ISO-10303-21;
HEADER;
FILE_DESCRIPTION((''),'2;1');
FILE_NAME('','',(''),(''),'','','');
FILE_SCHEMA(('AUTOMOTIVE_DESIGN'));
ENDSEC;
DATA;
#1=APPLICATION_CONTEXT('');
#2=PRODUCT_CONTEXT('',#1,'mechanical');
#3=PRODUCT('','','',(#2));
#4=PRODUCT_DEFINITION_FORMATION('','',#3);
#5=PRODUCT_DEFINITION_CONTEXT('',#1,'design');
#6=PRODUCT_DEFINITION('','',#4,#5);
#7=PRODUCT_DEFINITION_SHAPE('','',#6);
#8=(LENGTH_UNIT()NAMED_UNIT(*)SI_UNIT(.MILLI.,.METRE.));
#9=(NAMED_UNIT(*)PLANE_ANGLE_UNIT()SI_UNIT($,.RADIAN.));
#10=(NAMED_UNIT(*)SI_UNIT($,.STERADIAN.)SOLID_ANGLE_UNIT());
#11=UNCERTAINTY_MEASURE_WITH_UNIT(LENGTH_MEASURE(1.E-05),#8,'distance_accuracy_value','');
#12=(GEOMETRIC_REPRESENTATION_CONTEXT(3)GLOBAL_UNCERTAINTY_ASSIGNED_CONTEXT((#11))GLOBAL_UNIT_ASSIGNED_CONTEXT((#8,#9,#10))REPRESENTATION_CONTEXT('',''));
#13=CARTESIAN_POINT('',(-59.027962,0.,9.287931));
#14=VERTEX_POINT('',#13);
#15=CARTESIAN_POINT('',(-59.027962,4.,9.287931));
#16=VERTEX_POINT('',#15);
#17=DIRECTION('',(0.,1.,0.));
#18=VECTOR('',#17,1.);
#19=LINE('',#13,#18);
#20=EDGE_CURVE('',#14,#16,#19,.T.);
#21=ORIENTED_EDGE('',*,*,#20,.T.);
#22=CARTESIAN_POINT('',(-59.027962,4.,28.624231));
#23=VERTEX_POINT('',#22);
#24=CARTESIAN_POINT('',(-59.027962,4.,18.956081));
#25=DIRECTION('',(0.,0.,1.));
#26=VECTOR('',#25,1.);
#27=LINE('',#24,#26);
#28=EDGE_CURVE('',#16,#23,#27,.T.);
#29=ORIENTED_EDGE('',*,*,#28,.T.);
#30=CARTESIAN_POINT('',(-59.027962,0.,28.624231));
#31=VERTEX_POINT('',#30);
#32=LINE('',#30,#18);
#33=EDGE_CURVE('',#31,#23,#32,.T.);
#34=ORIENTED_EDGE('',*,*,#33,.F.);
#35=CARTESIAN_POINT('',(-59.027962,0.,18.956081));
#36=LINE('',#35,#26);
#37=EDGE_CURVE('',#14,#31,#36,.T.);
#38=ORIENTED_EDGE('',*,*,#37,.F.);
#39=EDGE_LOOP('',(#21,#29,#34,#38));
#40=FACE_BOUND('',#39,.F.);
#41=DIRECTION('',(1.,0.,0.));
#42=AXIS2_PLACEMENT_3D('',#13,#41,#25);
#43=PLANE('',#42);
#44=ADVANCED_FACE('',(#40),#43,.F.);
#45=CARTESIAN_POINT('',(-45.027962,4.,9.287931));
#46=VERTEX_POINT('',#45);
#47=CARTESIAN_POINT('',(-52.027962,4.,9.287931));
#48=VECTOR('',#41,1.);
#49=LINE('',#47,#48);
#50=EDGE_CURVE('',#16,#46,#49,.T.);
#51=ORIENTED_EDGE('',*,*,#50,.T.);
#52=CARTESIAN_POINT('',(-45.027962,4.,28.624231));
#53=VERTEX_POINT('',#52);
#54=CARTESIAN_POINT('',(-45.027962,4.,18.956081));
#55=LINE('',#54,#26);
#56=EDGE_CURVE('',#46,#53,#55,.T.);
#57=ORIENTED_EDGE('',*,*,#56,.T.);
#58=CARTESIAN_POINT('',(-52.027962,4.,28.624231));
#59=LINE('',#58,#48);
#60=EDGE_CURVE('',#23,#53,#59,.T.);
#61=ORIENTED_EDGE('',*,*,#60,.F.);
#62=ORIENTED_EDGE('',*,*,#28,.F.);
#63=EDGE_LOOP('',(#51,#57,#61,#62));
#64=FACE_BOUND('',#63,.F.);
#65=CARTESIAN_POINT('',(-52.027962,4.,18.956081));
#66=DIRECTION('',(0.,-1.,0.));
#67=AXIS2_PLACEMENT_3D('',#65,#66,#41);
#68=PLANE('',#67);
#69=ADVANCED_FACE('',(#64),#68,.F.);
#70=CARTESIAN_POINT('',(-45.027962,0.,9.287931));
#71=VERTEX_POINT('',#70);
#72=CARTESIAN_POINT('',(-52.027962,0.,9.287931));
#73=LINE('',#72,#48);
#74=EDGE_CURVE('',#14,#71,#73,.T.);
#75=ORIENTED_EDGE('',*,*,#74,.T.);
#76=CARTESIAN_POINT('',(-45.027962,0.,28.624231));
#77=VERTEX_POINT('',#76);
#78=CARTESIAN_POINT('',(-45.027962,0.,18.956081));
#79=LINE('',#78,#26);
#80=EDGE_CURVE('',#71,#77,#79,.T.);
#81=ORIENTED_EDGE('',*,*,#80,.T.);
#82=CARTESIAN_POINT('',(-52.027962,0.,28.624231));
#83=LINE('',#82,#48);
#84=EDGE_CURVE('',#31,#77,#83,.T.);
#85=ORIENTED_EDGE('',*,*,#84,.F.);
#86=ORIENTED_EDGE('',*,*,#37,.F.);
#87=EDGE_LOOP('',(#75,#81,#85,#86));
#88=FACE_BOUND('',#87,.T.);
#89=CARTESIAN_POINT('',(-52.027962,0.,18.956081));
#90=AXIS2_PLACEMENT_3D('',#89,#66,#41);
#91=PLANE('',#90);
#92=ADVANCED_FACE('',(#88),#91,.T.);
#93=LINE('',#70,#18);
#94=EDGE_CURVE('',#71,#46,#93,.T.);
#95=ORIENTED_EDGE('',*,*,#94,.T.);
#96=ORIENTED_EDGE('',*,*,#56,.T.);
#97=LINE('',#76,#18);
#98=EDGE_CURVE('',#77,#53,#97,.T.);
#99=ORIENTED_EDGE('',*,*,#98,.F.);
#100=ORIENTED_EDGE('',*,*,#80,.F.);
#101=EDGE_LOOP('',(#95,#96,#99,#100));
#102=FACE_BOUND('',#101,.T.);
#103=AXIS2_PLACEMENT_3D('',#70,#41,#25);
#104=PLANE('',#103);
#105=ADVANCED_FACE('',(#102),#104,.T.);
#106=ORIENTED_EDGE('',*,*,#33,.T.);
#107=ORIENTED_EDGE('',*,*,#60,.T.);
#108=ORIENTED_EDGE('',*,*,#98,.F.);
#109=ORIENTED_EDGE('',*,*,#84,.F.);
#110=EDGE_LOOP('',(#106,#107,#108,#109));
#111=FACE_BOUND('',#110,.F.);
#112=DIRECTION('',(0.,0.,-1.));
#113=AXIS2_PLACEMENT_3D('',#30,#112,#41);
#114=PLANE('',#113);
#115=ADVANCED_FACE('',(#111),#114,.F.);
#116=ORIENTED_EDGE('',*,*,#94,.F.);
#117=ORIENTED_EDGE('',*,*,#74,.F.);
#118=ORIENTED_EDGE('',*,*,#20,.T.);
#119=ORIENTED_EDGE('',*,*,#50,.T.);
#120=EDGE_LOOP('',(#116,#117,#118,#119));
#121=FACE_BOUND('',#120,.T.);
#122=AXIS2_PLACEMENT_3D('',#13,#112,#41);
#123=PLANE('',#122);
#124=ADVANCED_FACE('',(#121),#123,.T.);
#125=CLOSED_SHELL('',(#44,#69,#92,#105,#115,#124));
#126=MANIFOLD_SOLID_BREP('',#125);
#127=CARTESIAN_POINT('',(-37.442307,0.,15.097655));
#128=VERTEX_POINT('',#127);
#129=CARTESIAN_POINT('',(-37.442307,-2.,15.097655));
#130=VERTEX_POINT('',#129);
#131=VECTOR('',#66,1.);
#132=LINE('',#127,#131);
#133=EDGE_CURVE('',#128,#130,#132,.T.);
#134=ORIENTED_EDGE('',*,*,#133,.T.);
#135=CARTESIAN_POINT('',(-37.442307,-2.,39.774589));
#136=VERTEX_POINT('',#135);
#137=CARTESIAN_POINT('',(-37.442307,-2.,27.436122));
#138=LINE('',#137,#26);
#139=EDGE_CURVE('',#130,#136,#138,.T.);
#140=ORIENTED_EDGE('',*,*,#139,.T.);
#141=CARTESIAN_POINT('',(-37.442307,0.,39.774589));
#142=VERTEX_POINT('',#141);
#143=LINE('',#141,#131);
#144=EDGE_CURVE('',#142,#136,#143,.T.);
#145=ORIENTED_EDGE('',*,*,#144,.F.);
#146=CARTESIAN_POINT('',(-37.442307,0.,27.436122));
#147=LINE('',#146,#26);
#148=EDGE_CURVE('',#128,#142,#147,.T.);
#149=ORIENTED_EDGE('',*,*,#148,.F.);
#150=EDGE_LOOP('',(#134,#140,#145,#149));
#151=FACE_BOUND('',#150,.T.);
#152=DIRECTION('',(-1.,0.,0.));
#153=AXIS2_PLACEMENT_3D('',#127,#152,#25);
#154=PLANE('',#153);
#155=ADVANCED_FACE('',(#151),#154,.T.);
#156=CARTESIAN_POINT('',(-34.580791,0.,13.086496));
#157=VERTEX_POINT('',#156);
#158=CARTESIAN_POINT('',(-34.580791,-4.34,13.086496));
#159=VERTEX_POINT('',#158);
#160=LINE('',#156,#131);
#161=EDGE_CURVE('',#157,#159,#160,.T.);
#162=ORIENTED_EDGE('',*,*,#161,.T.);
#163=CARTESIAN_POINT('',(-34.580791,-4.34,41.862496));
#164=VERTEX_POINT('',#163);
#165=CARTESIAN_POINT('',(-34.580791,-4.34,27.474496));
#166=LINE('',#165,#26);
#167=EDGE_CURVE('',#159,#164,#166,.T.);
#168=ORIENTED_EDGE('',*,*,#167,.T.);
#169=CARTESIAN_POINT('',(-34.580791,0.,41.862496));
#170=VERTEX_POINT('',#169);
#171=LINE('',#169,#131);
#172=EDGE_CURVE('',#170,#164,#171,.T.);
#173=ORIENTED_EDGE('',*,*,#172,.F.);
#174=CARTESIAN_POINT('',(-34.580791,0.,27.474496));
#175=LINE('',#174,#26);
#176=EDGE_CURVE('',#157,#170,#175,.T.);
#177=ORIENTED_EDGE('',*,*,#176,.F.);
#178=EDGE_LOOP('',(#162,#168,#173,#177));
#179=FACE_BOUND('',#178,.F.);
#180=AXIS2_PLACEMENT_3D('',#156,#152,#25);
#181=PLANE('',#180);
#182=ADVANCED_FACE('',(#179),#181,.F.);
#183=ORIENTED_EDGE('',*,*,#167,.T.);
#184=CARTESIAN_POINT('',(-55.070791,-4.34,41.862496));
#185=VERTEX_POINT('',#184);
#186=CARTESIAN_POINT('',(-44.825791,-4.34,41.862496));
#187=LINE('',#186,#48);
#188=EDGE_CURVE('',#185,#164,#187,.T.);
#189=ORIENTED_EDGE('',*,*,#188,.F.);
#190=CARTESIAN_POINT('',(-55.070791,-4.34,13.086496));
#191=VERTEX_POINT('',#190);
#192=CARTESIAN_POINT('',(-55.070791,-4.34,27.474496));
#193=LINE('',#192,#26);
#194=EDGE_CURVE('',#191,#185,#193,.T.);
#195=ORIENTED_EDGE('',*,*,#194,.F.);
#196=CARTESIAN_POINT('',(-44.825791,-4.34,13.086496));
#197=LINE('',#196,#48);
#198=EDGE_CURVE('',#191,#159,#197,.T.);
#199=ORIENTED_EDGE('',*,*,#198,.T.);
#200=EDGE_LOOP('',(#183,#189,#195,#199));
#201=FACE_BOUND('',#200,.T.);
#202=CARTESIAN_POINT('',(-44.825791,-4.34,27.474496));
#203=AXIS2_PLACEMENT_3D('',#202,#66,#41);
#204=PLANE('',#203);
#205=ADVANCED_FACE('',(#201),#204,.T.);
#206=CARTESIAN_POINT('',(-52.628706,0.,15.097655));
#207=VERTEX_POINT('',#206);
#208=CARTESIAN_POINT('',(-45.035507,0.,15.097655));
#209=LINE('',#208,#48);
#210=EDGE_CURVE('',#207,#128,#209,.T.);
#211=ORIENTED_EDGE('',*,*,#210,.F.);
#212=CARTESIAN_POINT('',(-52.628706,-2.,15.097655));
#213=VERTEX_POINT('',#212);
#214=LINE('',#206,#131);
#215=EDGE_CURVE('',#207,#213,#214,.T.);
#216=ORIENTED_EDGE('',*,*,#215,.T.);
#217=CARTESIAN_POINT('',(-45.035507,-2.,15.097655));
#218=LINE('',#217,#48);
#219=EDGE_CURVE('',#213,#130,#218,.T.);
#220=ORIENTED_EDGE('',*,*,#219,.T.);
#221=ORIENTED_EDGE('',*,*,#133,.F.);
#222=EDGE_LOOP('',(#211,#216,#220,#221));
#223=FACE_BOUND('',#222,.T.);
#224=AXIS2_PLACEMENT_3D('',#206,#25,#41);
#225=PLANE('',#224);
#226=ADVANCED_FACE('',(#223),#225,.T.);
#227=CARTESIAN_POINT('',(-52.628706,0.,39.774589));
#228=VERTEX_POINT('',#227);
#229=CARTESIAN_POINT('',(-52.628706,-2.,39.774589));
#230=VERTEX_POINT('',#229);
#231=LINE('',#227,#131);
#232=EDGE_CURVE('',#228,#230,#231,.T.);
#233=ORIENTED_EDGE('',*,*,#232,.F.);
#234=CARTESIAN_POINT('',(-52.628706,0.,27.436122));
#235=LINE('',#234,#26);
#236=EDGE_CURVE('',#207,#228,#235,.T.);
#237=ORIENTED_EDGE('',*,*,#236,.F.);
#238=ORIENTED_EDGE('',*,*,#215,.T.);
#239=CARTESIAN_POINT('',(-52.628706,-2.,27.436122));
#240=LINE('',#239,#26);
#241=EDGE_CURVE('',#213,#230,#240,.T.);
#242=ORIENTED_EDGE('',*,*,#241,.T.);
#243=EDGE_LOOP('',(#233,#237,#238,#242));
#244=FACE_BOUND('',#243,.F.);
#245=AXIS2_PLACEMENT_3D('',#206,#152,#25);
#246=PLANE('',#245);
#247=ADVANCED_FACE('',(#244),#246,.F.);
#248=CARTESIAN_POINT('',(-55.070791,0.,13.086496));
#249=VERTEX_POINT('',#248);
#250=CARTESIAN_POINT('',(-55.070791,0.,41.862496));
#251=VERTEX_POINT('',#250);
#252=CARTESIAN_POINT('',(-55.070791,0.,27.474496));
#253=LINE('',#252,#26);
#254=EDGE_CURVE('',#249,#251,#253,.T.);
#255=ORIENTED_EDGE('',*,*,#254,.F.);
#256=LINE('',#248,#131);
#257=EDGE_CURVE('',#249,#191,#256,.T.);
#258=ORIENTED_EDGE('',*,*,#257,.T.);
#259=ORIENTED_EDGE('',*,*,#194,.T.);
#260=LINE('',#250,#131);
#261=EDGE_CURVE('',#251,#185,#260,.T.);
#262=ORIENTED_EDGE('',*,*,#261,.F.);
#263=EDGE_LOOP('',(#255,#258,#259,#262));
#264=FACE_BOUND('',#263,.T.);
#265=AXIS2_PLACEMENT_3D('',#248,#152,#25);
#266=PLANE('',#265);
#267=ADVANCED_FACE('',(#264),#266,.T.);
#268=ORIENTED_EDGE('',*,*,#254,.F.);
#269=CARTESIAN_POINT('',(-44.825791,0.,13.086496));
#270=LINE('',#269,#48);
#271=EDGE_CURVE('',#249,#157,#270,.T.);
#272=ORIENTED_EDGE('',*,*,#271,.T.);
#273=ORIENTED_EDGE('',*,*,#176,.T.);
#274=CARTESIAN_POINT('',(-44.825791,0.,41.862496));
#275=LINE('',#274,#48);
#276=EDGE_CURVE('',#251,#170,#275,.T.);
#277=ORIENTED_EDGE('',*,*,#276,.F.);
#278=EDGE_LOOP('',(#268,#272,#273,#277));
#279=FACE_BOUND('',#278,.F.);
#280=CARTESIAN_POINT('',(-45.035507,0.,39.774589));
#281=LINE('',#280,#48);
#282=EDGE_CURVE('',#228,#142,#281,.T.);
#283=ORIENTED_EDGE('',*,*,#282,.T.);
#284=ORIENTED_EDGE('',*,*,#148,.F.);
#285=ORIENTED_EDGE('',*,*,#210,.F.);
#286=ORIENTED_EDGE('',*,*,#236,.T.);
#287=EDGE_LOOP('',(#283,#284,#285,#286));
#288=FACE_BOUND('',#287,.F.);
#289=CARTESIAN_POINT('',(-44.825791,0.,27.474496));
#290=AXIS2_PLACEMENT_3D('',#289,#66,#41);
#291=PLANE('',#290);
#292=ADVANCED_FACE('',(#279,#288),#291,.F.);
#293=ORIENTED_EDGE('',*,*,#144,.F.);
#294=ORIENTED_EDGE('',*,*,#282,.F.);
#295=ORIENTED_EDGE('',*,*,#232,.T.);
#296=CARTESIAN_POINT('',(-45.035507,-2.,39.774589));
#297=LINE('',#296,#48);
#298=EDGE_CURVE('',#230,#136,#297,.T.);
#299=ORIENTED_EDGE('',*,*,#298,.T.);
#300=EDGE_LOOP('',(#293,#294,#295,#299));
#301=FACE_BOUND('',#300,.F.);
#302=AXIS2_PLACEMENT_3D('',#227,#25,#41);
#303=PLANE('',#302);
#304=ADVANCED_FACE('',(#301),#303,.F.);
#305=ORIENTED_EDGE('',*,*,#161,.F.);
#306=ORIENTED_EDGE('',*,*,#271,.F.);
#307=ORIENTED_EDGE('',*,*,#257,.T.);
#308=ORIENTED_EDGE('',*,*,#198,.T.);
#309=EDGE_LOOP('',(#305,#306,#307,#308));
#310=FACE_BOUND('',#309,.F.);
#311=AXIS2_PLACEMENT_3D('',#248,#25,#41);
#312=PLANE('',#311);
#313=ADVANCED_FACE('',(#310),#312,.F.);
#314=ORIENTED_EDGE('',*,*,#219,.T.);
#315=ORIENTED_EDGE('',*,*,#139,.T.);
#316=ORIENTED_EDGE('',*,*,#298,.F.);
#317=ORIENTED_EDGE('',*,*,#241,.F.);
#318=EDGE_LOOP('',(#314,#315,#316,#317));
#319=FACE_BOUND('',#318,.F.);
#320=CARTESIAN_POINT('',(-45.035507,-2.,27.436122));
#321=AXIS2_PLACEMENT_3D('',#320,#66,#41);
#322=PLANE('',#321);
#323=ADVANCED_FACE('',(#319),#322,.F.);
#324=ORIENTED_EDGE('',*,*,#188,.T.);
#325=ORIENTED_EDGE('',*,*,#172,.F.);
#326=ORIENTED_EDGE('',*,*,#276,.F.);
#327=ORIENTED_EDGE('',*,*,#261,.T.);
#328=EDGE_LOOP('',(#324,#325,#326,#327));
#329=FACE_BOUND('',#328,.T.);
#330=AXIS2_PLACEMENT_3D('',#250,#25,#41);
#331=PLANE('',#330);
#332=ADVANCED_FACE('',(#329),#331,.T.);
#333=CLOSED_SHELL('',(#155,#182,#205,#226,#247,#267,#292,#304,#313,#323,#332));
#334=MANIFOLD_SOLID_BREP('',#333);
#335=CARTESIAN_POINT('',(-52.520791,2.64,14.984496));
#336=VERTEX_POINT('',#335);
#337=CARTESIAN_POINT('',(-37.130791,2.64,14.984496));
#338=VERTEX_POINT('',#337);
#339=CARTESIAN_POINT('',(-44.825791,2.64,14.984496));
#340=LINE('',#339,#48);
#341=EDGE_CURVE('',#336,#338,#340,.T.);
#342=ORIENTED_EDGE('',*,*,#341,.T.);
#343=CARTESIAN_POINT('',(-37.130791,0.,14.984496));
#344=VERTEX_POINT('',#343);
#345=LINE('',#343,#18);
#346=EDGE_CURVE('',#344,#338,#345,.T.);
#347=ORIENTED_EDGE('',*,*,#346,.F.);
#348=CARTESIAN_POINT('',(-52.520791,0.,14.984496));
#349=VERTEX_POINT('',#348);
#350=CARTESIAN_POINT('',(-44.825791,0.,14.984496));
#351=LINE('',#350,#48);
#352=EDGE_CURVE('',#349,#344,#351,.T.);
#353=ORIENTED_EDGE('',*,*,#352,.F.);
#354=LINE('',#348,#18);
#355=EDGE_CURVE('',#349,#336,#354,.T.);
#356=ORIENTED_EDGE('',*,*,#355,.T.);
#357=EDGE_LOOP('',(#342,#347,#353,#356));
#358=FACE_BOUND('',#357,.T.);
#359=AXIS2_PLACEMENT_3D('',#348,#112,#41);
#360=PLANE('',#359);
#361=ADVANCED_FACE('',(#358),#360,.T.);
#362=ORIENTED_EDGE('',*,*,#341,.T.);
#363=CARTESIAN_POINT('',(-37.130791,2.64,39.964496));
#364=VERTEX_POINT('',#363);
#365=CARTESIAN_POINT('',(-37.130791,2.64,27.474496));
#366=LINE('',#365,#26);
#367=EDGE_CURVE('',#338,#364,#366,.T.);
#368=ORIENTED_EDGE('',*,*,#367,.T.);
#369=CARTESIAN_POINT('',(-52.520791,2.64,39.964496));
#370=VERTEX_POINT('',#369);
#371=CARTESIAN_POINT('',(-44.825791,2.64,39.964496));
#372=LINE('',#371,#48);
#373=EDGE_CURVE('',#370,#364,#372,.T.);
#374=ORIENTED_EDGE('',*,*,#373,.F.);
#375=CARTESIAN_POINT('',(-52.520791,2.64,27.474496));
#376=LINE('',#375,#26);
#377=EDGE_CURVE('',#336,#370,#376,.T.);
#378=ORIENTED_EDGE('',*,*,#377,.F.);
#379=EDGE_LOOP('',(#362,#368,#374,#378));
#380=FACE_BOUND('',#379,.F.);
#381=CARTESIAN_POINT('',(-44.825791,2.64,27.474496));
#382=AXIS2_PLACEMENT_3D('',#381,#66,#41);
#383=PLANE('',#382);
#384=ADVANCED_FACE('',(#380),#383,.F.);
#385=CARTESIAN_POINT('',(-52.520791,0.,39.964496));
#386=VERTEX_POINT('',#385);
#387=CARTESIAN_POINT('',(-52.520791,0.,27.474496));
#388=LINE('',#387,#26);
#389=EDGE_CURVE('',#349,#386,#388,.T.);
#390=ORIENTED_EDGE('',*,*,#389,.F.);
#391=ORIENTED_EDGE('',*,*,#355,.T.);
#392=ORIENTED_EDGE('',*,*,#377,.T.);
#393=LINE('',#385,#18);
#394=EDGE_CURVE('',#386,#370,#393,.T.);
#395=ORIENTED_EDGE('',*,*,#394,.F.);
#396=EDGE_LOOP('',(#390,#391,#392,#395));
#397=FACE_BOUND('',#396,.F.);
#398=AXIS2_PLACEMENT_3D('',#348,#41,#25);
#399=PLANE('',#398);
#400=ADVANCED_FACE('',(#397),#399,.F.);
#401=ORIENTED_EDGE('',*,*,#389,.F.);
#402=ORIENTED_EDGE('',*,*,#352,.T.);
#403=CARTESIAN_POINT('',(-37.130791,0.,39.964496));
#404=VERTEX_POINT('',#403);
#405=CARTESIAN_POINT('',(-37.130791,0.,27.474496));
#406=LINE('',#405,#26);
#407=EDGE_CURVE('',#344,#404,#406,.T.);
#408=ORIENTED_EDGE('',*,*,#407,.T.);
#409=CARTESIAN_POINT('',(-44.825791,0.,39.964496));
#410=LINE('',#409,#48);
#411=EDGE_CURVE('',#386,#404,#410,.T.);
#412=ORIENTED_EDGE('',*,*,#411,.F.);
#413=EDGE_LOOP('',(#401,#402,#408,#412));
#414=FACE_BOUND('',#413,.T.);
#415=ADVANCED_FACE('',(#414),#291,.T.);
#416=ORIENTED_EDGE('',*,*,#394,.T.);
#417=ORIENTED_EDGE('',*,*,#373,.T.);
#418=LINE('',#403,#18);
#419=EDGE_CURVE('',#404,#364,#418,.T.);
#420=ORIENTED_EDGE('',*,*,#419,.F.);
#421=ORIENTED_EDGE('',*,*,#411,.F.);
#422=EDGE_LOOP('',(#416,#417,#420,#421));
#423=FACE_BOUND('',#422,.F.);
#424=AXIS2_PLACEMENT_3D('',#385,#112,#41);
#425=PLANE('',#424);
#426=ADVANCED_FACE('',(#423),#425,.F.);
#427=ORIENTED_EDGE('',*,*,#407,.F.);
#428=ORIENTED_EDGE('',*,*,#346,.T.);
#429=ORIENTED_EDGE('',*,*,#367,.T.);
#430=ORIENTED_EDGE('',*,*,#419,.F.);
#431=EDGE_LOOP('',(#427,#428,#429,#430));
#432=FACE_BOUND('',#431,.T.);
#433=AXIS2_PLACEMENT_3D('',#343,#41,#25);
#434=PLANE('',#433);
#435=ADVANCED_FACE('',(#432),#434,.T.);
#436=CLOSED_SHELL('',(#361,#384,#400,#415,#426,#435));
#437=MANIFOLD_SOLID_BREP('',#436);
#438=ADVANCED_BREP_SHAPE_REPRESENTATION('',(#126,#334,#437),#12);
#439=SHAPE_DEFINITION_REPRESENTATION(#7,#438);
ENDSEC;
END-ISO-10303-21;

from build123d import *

# Parameters (mm, degrees)
F0_W     = 15.39
F0_H     = 24.98
F1_DEPTH = 2.64
F2_W     = 20.49
F2_H     = 28.776
F3_DEPTH = 4.34
F4_W     = 15.186399
F4_H     = 24.676934
F5_DEPTH = 2
F6_W     = 14
F6_H     = 19.3363
F7_DEPTH = 4


with BuildPart() as f1:
    # F0 (on Front) → F1 (new body)
    with BuildSketch(Plane.XZ):
        with Locations((-44.825791, 27.474496)):
            Rectangle(F0_W, F0_H)
    extrude(amount=-F1_DEPTH)


with BuildPart() as f3:
    # F2 (on Front) → F3 (new body)
    with BuildSketch(Plane.XZ):
        with Locations((-44.825791, 27.474496)):
            Rectangle(F2_W, F2_H)
    extrude(amount=F3_DEPTH)

    # F4 (on Front) → F5 (cut)
    with BuildSketch(Plane.XZ):
        with Locations((-45.035507, 27.436122)):
            Rectangle(F4_W, F4_H)
    extrude(amount=F5_DEPTH, mode=Mode.SUBTRACT)


with BuildPart() as f7:
    # F6 (on Front) → F7 (new body)
    with BuildSketch(Plane.XZ):
        with Locations((-52.027962, 18.956081)):
            Rectangle(F6_W, F6_H)
    extrude(amount=-F7_DEPTH)


solid = Compound([f1.part, f3.part, f7.part])
